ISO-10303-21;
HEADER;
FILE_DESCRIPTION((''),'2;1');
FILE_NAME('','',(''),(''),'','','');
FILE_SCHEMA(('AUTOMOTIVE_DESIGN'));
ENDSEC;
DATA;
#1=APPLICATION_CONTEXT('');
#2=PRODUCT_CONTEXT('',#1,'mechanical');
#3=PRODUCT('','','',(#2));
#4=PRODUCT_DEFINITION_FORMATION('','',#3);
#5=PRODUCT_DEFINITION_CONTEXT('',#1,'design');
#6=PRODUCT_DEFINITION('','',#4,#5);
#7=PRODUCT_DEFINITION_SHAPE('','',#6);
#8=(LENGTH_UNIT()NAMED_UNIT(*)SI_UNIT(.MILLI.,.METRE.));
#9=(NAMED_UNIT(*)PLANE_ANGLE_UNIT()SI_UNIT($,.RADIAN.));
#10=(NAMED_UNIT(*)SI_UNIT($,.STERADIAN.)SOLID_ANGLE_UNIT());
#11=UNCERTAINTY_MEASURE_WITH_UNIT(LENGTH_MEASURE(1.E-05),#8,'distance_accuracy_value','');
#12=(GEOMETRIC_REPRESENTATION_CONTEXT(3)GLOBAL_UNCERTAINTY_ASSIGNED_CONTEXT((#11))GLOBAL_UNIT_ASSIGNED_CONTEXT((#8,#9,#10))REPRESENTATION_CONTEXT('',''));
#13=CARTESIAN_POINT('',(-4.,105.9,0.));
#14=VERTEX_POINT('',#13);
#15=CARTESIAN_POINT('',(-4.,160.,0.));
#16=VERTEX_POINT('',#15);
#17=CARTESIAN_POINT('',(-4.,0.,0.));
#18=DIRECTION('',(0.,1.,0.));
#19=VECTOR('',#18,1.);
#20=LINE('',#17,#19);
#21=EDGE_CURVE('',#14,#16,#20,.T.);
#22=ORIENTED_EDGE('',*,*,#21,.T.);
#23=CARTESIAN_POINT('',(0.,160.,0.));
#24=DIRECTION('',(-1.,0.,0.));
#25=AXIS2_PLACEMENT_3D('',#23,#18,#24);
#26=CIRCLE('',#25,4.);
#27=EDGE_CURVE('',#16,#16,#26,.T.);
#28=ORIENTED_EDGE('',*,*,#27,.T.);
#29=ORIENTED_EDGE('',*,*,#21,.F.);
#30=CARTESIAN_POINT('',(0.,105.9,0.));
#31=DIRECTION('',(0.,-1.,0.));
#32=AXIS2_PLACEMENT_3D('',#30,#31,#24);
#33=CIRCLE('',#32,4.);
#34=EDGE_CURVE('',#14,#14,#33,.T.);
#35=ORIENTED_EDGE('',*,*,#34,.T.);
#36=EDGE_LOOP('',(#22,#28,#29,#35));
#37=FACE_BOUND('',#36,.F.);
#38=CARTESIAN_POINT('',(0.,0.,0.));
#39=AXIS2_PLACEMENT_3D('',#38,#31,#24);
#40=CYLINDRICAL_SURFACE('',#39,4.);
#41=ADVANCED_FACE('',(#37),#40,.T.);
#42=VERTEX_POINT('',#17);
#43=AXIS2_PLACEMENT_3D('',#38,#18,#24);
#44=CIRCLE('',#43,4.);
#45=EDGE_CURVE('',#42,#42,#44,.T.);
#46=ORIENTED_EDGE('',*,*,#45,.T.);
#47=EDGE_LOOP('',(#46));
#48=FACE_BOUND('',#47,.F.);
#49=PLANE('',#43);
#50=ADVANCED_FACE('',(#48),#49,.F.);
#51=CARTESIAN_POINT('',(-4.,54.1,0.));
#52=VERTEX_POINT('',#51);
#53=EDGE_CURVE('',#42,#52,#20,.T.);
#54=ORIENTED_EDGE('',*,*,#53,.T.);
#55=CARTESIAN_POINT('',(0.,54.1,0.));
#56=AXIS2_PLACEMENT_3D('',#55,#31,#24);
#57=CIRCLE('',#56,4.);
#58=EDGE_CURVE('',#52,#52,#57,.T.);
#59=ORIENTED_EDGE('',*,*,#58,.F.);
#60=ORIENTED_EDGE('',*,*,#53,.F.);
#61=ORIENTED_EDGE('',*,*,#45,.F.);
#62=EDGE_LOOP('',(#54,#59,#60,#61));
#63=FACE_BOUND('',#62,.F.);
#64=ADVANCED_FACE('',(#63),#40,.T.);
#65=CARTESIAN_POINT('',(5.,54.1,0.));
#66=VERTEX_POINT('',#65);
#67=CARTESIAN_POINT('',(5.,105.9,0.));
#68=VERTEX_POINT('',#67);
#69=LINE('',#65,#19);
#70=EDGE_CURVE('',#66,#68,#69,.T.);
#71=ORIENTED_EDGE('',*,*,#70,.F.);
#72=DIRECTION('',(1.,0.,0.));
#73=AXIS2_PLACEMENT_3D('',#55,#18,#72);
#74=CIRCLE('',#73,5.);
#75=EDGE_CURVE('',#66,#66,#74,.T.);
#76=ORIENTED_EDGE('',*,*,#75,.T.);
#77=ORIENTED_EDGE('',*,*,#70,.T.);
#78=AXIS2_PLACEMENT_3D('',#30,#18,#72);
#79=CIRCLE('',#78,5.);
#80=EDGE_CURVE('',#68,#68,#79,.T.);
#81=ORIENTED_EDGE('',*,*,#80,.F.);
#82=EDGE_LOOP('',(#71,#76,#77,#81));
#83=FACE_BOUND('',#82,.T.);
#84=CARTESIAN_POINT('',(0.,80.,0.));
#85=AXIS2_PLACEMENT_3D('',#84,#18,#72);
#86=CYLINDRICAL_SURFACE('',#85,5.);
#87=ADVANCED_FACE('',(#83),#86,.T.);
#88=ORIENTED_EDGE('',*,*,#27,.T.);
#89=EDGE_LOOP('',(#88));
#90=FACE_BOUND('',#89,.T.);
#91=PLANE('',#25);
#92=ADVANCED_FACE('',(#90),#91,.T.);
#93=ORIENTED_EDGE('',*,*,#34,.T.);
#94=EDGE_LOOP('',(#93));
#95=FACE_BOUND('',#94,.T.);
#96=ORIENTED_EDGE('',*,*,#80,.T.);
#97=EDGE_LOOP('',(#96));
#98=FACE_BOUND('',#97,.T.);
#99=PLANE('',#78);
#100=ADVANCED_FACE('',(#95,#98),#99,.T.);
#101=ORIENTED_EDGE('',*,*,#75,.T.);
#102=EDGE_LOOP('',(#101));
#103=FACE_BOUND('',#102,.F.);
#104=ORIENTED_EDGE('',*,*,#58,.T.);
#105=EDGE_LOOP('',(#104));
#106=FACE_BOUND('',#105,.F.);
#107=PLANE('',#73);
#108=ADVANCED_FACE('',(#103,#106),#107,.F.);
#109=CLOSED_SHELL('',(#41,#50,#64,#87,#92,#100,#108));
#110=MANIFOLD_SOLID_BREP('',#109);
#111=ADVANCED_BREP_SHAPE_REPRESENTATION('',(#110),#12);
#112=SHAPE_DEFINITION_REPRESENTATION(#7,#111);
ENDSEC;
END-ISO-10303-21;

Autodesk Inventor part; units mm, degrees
ref_plane "YZ Plane" through (0, 0, 0) normal (1, 0, 0) x (0, 1, 0)
ref_plane "XZ Plane" through (0, 0, 0) normal (0, 1, 0) x (-1, 0, 0)
sketch "スケッチ1" plane through (0, 0, 0) normal (0, 1, 0) x (-1, 0, 0)
  circle A0 centre (0, 0) radius 4
  dimension "d0" = 8
extrude "押し出し1" add sketch "スケッチ1" along normal blind 160
ref_plane "作業平面1" through (0, 80, 0) normal (0, 1, 0) x (1, 0, 0)
sketch "スケッチ2" plane through (0, 80, 0) normal (0, 1, 0) x (1, 0, 0)
  circle A0 centre (0, 0) radius 4 projected
  circle A1 centre (0, 0) radius 5
  dimension "d3" = 10
extrude "押し出し2" add sketch "スケッチ2" along normal blind 25.9 and the other way blind 25.9 contours A0 | A1
sketch "スケッチ3" plane through (0, 80, 0) normal (0, 1, 0) x (1, 0, 0)
  point P0 (0, 0)
properties part number "elbow_shaft2"
